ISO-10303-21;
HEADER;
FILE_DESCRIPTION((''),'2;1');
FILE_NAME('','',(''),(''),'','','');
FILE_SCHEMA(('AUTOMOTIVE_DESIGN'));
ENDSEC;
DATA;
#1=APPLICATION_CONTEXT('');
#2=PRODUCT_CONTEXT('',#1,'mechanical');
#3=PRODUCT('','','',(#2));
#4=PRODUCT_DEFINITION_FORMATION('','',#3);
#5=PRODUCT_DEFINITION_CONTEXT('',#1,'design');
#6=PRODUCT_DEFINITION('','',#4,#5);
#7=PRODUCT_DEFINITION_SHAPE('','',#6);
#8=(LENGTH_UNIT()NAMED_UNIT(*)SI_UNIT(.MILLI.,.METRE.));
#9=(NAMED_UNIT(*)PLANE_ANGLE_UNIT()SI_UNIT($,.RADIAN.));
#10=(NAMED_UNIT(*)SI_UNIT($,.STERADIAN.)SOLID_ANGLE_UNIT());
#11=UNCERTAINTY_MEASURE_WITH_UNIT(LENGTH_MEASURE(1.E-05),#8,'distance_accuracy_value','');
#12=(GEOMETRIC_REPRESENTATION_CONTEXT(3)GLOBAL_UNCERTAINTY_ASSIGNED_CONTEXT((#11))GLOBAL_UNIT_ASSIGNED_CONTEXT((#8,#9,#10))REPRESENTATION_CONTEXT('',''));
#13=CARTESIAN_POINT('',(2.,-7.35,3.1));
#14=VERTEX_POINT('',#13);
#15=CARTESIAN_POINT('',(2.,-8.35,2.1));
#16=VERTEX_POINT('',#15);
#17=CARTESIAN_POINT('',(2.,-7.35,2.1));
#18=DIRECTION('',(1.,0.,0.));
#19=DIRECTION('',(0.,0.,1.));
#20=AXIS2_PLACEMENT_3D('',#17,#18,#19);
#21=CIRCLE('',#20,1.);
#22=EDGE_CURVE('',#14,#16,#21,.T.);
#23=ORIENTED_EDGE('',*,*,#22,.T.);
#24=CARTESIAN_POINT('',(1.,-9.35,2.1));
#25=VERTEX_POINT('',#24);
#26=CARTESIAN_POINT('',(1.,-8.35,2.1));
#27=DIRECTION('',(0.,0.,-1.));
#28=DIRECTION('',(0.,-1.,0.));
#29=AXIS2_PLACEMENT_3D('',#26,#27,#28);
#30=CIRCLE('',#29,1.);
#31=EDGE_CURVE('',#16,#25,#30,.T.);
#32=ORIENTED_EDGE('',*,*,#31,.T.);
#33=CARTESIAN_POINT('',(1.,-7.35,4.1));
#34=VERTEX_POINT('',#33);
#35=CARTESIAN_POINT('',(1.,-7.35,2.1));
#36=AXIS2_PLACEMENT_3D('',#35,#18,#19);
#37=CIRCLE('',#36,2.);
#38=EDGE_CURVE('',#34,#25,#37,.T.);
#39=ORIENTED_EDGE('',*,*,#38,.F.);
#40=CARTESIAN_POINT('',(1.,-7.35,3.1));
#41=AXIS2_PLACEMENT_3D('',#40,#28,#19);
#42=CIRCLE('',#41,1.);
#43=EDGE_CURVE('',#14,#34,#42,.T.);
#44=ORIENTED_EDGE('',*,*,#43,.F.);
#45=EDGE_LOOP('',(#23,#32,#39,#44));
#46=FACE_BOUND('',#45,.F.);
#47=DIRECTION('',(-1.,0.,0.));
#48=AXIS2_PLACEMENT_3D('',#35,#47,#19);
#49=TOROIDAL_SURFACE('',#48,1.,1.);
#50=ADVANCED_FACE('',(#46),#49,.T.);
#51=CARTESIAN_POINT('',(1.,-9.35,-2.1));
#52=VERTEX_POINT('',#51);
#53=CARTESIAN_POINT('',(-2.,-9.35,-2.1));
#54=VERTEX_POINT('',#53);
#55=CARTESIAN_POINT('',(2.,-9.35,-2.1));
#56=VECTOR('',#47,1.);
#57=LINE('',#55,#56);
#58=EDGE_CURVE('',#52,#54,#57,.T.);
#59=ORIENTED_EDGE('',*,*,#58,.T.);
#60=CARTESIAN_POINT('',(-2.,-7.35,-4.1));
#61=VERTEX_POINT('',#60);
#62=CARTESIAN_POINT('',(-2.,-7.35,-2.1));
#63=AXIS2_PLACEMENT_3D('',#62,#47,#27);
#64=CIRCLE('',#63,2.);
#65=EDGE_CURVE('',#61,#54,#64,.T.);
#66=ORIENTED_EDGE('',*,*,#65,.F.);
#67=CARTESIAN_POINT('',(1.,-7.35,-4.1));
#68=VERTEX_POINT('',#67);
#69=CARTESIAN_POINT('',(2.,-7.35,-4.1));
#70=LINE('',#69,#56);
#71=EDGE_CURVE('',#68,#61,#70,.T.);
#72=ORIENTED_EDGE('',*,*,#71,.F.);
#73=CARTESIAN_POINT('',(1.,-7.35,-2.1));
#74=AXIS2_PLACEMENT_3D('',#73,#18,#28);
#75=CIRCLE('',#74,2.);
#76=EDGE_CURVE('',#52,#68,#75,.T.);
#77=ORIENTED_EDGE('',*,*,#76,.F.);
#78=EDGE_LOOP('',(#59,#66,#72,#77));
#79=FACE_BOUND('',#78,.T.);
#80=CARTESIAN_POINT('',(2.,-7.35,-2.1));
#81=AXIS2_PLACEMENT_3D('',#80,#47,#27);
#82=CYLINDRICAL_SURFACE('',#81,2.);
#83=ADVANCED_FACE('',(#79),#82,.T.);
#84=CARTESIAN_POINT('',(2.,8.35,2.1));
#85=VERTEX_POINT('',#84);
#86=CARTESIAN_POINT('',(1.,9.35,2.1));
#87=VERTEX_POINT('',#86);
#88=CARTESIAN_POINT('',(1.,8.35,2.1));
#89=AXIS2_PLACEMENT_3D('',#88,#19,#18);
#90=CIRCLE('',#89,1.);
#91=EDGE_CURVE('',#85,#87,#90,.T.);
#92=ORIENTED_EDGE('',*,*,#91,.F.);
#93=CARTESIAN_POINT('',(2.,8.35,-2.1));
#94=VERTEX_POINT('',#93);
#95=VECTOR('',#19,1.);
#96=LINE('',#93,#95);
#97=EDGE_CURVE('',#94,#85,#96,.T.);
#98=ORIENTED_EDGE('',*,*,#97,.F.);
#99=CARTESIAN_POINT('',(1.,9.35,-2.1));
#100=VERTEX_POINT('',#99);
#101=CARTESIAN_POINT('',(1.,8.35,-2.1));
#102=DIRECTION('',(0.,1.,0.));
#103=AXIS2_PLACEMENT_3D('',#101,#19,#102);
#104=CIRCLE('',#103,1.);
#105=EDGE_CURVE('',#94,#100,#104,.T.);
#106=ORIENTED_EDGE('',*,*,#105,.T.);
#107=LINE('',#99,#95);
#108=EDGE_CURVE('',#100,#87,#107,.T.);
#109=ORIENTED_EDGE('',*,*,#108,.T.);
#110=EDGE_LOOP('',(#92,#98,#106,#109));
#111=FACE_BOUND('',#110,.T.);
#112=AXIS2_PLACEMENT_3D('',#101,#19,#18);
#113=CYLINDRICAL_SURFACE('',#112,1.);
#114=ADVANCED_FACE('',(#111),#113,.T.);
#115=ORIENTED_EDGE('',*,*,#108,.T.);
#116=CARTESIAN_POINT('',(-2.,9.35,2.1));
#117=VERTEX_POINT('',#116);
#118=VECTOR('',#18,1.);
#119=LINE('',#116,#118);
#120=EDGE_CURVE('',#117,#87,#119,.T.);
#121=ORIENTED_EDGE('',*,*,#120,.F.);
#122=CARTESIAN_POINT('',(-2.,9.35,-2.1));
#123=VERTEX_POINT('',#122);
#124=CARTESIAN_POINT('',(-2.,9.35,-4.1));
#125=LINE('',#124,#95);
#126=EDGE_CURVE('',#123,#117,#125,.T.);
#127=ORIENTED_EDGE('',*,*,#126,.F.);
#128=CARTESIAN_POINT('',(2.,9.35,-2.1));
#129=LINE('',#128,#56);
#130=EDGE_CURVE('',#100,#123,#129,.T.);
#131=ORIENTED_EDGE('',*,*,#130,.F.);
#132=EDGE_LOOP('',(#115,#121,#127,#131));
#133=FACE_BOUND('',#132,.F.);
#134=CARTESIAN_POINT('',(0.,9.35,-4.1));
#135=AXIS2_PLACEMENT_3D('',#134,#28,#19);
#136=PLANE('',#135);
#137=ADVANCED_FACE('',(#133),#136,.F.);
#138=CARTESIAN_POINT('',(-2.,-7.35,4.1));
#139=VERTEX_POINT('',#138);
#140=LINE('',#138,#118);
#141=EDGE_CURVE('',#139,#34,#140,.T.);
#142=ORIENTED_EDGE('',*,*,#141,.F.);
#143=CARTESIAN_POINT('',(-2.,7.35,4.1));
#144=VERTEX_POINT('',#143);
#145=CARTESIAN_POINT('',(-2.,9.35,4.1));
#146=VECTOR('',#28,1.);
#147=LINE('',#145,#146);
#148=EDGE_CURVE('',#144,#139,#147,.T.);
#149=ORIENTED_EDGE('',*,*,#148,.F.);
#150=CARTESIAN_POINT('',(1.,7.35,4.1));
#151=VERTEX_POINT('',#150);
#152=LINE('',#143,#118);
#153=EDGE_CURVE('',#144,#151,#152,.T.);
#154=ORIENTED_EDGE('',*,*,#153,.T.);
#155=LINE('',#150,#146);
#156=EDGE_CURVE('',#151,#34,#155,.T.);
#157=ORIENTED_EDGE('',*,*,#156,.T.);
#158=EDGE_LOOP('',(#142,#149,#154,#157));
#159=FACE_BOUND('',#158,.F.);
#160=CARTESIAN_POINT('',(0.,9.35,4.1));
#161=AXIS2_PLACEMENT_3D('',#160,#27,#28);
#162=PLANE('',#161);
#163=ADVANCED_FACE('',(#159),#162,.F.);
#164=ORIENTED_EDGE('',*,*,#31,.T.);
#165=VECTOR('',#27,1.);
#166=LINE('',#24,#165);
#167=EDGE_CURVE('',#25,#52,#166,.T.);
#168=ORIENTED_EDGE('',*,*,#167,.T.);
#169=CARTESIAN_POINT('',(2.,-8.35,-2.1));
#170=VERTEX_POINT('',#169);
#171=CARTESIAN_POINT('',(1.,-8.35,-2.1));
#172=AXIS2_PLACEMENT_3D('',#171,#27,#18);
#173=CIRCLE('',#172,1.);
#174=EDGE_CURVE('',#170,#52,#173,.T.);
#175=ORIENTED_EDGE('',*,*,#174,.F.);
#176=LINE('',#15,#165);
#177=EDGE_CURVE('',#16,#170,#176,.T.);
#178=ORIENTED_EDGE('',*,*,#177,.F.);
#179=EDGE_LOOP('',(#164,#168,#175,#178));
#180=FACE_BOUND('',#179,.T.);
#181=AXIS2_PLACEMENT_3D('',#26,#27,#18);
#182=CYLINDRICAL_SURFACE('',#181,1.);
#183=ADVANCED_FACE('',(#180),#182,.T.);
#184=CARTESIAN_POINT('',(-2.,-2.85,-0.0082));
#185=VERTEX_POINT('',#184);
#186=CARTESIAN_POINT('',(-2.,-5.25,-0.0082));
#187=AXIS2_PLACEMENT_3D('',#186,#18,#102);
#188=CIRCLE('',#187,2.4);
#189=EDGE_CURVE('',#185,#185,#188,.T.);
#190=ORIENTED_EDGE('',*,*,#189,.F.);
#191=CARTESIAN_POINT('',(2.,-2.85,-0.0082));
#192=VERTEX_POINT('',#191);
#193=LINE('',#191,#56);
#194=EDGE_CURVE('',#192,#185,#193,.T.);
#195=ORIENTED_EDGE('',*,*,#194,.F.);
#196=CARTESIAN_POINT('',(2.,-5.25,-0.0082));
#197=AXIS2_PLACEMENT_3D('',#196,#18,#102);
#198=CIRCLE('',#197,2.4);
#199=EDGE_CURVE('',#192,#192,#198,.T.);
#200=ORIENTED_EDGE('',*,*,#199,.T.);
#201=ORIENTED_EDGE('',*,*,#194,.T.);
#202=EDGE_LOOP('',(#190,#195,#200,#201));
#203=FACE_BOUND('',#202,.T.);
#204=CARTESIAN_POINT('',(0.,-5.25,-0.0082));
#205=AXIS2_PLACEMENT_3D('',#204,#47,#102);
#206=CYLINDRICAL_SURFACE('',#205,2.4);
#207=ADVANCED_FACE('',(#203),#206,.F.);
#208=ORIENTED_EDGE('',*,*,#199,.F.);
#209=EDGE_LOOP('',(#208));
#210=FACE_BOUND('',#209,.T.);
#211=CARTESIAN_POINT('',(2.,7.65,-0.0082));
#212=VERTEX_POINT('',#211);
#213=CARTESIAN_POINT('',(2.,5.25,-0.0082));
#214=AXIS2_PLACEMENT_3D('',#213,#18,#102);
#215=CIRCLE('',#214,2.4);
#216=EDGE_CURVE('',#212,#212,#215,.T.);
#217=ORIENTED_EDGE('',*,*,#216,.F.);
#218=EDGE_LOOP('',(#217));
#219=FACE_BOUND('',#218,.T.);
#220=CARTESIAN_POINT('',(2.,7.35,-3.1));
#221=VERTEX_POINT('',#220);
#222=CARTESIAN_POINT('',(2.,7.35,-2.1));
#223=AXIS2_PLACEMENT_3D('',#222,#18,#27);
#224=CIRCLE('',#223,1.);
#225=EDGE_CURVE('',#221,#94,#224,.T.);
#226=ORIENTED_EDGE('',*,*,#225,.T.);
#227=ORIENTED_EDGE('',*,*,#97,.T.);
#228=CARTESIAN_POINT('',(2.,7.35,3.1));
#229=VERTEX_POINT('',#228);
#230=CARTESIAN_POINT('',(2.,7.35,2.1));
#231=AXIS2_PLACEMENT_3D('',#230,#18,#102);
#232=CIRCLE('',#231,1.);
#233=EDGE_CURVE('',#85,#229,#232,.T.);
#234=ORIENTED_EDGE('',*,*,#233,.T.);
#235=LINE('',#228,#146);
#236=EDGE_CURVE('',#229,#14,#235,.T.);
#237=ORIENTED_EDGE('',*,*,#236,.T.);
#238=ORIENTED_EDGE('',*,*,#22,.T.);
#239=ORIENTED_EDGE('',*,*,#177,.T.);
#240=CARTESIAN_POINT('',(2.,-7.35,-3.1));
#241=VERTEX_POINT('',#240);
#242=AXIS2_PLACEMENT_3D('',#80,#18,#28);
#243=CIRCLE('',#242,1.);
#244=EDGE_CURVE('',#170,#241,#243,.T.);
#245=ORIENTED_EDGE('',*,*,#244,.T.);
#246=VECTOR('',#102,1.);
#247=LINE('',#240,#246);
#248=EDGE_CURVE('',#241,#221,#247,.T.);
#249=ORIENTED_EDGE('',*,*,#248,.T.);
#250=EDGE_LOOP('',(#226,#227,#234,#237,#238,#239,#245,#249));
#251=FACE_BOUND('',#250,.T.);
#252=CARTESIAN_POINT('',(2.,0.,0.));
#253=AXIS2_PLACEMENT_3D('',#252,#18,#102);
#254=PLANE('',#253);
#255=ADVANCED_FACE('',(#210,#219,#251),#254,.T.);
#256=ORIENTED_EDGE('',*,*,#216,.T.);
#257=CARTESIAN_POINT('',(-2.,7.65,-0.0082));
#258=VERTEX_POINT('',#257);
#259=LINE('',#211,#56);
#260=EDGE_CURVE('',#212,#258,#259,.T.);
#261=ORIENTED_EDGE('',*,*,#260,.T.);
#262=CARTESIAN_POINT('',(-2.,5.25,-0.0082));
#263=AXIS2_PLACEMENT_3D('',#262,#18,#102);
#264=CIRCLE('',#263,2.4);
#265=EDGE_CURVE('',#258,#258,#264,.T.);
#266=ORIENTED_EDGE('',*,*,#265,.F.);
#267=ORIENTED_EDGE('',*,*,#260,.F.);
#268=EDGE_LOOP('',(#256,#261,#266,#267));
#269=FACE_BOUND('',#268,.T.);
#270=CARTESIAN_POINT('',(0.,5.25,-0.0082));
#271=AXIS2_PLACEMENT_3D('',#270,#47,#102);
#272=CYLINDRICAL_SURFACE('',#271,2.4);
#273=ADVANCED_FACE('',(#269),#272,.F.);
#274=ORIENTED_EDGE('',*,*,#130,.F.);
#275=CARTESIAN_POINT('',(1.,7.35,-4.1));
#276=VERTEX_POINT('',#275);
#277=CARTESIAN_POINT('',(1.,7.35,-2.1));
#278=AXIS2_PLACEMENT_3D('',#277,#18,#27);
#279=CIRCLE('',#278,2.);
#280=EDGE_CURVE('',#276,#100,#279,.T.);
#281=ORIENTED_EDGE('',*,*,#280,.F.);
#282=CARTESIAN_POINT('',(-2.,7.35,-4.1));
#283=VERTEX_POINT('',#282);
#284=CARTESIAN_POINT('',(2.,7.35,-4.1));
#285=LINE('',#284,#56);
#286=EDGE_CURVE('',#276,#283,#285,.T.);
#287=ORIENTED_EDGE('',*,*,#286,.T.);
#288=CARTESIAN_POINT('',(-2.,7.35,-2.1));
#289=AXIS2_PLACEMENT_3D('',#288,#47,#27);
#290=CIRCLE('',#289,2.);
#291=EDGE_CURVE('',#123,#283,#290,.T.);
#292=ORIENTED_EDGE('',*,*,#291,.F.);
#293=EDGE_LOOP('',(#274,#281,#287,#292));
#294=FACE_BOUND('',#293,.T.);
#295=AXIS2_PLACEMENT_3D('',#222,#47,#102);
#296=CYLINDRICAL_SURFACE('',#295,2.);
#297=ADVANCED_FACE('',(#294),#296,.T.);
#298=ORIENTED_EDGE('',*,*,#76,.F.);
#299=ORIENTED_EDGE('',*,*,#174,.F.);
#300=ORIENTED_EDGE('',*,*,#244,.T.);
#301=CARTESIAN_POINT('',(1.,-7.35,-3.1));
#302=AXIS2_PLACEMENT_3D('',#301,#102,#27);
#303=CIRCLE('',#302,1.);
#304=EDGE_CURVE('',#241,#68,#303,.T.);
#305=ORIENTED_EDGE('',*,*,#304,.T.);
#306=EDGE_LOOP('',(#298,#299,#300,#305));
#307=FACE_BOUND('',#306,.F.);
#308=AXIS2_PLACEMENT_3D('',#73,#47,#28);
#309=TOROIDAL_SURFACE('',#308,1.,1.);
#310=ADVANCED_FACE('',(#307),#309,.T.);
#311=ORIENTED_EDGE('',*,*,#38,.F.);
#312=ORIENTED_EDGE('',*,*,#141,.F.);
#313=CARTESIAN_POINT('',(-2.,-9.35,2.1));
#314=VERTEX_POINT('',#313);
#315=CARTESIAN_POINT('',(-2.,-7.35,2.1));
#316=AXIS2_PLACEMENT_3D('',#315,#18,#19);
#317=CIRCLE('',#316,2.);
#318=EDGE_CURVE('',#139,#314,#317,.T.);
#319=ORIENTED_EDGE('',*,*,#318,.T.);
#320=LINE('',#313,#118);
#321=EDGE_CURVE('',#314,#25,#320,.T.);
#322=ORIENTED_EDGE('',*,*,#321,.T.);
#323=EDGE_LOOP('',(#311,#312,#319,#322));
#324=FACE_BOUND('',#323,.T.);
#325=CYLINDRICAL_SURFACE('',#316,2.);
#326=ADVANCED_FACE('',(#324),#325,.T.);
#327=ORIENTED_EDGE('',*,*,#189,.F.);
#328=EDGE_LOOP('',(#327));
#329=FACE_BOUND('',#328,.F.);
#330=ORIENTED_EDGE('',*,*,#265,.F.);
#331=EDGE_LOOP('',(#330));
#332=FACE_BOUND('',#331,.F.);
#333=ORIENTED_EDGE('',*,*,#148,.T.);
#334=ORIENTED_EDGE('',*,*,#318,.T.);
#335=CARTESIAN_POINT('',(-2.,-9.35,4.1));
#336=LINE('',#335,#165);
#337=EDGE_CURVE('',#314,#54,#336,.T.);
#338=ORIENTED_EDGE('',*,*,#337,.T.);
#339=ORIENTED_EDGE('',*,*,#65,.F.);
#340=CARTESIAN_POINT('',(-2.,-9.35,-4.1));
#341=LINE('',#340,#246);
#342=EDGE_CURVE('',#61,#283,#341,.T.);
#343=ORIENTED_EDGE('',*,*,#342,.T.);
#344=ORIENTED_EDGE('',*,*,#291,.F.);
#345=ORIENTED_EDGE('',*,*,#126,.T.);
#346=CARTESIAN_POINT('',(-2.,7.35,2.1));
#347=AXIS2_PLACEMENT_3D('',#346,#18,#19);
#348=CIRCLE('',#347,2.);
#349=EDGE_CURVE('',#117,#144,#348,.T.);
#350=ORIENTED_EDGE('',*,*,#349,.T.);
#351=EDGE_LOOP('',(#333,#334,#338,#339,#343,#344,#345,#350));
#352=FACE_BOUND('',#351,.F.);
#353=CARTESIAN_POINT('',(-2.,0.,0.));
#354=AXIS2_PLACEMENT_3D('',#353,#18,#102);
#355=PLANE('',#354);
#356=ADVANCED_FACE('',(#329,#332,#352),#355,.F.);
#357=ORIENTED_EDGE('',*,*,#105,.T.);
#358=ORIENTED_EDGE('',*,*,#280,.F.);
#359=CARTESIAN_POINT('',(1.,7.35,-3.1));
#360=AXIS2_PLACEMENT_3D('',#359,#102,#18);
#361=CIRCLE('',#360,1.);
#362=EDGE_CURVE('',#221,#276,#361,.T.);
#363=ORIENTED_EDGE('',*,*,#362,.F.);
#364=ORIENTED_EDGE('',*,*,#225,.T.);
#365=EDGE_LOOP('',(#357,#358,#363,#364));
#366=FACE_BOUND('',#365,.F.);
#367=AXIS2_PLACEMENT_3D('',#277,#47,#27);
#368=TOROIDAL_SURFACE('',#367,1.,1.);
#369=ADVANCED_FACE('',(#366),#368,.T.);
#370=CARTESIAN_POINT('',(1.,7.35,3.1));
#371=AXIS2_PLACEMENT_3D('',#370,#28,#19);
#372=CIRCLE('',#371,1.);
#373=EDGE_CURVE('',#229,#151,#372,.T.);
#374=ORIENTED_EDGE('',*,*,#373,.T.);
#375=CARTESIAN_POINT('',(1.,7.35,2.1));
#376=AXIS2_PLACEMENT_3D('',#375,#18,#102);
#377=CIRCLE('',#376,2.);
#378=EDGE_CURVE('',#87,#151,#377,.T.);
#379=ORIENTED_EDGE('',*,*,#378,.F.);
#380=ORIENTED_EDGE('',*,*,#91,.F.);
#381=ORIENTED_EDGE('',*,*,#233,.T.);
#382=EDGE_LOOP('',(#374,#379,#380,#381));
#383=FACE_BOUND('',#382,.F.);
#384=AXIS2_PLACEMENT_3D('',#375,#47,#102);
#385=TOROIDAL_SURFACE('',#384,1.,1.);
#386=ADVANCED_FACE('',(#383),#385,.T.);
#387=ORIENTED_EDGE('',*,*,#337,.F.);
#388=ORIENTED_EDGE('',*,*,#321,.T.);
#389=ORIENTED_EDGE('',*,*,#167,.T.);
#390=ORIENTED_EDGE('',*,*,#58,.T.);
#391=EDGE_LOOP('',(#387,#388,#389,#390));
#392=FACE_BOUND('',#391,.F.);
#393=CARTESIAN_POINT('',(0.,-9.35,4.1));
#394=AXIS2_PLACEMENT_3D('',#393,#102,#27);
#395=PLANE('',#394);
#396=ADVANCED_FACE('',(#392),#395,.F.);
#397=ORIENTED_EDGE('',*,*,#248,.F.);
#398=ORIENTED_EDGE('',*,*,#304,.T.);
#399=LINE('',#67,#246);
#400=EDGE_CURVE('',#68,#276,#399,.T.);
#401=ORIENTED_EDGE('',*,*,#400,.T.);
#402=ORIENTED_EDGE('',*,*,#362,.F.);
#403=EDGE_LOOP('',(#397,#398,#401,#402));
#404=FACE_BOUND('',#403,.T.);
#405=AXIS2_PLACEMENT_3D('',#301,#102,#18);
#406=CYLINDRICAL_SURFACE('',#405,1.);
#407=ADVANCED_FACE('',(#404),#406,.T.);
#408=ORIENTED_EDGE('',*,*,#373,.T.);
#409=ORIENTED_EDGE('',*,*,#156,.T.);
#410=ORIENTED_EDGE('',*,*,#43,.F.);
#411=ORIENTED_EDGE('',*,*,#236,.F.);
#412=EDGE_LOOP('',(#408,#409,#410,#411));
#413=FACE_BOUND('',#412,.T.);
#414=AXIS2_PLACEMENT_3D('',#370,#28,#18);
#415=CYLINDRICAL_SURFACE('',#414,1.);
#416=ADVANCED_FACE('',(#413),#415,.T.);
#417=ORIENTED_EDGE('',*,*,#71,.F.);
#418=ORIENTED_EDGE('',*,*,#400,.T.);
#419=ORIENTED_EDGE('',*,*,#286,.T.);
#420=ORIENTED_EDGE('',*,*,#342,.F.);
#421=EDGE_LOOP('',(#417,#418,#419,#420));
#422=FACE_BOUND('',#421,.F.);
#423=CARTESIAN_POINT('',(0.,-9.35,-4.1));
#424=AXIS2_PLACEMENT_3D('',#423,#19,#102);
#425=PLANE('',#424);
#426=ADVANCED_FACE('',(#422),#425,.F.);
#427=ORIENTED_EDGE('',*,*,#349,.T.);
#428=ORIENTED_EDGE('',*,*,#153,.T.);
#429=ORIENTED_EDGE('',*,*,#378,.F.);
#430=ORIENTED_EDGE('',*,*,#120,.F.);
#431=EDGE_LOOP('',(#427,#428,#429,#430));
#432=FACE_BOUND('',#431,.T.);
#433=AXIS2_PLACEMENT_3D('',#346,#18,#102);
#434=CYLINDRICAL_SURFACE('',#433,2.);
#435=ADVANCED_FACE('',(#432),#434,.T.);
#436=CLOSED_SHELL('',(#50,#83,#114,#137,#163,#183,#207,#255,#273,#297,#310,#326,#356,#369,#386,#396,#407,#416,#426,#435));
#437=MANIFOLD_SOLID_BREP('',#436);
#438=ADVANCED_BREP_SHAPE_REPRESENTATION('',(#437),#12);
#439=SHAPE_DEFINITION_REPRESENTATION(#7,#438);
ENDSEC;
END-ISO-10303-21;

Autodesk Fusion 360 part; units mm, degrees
sketch "Sketch1" plane through (0, 0, 0) normal (1, 0, 0) x (0, 1, 0) in component "probe_retainer_bracket"
  line L0 (9.35, 4.1) -> (-9.35, 4.1)
  line L1 (-9.35, 4.1) -> (-9.35, -4.1)
  line L2 (-9.35, -4.1) -> (9.35, -4.1)
  line L3 (9.35, -4.1) -> (9.35, 4.1)
  line L4 (9.35, 4.1) -> (-9.35, -4.1) construction
  line L5 (-9.35, 4.1) -> (9.35, -4.1) construction
  circle A0 centre (-5.25, -0.0082) radius 2.4
  line L6 (0, 0) -> (-10.0428, -0.0157) construction
  line L7 (0, 0) -> (0, 6) construction
  circle A1 centre (5.25, -0.0082) radius 2.4
  dimension "d1" = 18.7
  dimension "d2" = 8.2
  dimension "d3" = 4.8
  dimension "d4" = 10.5
extrude "Extrude1" add sketch "Sketch1" along normal mid plane 4 in component "probe_retainer_bracket"
fillet "Fillet1" radius 2 4 edges at (0, -9.35, 4.1) (0, 9.35, 4.1) (0, -9.35, -4.1) (0, 9.35, -4.1) in component "probe_retainer_bracket"
fillet "Fillet2" radius 1 8 edges at (2, -8.7642, 3.5142) (2, -9.35, 0) (2, -8.7642, -3.5142) (2, 0, -4.1) (2, 8.7642, -3.5142) (2, 9.35, 0) (2, 8.7642, 3.5142) (2, 0, 4.1) in component "probe_retainer_bracket"
component "probe_retainer_bracket" placed x (1, 0, 0) y (0, 1, 0) z (0, 0, 1) at (0, 0, 0)
